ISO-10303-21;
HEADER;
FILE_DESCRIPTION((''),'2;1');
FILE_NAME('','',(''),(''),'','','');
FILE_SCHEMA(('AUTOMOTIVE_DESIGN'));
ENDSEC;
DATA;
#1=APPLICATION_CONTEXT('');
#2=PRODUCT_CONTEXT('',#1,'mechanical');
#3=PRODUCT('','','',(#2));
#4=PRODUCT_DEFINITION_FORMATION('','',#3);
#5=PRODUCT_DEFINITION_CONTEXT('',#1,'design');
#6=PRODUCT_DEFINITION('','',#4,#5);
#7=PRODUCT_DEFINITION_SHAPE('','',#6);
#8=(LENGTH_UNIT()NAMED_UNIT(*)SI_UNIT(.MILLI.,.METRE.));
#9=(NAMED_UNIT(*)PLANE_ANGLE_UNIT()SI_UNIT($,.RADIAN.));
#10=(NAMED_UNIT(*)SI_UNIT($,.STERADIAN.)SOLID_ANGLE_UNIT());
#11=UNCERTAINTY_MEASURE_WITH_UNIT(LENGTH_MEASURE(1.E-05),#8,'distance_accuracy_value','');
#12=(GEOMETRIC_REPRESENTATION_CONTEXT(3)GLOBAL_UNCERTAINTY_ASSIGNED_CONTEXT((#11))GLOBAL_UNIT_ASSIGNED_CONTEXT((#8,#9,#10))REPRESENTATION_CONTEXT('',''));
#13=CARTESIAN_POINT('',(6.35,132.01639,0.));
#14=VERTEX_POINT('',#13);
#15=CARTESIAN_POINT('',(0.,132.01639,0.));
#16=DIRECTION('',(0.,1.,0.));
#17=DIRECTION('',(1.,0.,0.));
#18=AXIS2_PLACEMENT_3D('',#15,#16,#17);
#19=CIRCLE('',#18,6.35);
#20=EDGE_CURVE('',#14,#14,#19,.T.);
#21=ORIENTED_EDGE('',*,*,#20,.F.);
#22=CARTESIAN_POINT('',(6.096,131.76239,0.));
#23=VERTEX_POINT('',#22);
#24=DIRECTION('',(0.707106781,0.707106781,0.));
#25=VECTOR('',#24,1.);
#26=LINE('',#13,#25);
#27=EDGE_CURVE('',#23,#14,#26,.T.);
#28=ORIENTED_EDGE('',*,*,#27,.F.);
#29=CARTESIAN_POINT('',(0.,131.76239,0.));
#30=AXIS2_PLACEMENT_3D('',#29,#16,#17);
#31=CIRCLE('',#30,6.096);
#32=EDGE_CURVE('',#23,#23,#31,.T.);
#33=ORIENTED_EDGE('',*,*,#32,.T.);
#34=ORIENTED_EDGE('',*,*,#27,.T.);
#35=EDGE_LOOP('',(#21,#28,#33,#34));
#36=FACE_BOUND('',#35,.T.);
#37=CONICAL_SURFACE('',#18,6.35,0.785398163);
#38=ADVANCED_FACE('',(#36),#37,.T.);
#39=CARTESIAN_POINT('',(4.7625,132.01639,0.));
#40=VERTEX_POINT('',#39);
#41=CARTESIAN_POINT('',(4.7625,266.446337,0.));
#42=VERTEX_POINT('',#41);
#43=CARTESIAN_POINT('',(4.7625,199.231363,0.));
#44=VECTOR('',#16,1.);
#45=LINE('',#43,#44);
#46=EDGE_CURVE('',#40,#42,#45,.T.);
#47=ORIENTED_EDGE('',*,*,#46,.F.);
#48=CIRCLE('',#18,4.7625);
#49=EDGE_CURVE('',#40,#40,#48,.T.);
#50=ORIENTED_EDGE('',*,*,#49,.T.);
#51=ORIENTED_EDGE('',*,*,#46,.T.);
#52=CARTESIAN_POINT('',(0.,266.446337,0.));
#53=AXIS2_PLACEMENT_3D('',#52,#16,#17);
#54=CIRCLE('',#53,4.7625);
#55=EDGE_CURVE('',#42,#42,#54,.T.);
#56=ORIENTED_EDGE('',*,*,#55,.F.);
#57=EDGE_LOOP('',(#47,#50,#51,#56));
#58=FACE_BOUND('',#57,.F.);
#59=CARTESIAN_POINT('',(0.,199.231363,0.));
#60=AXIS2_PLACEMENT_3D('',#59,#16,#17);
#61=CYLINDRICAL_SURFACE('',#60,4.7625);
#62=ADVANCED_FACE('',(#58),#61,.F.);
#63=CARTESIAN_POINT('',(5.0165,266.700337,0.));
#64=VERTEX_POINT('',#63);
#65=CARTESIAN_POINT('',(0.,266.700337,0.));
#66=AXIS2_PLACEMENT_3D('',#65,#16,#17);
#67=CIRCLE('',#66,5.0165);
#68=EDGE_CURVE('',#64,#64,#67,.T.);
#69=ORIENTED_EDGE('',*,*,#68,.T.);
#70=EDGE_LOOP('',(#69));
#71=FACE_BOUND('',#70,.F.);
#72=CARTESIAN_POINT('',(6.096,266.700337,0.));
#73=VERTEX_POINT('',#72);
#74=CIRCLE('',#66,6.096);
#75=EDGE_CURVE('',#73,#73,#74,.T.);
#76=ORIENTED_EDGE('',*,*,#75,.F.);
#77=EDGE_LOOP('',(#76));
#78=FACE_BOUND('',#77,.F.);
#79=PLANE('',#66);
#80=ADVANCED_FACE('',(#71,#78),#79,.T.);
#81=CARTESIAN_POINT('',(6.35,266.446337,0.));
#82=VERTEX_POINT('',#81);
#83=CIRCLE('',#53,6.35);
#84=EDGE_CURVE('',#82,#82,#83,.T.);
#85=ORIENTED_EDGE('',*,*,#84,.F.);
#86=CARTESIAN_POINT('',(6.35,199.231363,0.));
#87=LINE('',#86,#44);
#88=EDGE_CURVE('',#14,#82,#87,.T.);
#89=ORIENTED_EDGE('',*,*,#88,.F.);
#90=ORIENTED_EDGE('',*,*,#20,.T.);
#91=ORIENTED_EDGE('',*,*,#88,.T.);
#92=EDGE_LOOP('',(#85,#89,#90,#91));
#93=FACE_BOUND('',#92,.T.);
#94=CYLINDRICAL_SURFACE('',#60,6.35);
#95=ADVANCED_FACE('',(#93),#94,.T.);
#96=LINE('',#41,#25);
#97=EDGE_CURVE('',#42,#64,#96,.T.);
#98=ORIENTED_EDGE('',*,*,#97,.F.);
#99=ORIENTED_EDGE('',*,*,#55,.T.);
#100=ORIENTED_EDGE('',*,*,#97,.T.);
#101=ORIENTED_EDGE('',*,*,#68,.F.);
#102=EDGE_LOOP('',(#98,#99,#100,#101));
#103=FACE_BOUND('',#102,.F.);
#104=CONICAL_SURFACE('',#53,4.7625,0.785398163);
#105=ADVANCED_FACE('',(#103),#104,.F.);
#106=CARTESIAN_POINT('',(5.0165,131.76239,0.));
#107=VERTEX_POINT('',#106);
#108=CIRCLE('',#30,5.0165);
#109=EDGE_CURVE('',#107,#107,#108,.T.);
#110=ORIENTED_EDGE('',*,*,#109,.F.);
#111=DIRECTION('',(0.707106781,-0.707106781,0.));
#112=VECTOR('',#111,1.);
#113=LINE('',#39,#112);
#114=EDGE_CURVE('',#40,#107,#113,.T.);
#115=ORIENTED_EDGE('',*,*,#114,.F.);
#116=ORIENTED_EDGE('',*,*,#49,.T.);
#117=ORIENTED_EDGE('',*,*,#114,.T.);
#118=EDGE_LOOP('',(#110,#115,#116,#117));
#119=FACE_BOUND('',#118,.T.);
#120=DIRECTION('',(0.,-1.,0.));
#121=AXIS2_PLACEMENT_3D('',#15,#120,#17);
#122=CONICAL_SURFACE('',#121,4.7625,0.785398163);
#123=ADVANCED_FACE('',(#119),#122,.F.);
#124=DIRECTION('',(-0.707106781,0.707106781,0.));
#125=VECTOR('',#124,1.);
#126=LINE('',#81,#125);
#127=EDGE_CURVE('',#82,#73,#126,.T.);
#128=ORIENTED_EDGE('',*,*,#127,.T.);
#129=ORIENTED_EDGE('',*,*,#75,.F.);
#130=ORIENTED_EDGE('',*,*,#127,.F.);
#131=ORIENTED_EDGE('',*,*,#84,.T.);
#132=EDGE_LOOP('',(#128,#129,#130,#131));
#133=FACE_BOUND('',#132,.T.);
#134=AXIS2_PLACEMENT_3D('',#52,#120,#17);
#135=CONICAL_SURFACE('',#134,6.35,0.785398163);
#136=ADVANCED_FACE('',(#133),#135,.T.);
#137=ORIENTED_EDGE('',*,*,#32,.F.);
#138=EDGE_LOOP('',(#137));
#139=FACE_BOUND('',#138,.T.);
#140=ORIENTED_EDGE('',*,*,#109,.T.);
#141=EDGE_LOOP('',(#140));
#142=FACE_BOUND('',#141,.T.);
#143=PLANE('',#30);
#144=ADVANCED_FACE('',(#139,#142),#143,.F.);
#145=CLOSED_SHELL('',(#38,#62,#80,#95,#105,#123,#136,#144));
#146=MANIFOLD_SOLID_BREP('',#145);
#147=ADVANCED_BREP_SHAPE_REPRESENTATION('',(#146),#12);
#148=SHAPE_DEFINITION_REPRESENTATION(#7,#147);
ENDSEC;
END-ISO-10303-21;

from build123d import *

# Parameters (mm, degrees)
SKETCH1_W     = 1.5875
SKETCH1_H     = 134.937947034
CHAMFER1_SIZE = 0.254


with BuildPart() as part:
    # Sketch1 → Revolve1 (revolve)
    with BuildSketch(Plane.XY):
        with Locations((5.55625, 199.231363447)):
            Rectangle(SKETCH1_W, SKETCH1_H)
    revolve(axis=Axis((0, 122.23738993, 0), (0, 1, 0)))

    # Chamfer1
    chamfer1_edges = [part.edges().sort_by_distance(p)[0] for p in [
        (-6.35, 131.76238993, 0),
        (-6.35, 266.700336964, 0),
        (-4.7625, 266.700336964, 0),
        (-4.7625, 131.76238993, 0),
    ]]
    chamfer(chamfer1_edges, length=CHAMFER1_SIZE)


solid = part.part
